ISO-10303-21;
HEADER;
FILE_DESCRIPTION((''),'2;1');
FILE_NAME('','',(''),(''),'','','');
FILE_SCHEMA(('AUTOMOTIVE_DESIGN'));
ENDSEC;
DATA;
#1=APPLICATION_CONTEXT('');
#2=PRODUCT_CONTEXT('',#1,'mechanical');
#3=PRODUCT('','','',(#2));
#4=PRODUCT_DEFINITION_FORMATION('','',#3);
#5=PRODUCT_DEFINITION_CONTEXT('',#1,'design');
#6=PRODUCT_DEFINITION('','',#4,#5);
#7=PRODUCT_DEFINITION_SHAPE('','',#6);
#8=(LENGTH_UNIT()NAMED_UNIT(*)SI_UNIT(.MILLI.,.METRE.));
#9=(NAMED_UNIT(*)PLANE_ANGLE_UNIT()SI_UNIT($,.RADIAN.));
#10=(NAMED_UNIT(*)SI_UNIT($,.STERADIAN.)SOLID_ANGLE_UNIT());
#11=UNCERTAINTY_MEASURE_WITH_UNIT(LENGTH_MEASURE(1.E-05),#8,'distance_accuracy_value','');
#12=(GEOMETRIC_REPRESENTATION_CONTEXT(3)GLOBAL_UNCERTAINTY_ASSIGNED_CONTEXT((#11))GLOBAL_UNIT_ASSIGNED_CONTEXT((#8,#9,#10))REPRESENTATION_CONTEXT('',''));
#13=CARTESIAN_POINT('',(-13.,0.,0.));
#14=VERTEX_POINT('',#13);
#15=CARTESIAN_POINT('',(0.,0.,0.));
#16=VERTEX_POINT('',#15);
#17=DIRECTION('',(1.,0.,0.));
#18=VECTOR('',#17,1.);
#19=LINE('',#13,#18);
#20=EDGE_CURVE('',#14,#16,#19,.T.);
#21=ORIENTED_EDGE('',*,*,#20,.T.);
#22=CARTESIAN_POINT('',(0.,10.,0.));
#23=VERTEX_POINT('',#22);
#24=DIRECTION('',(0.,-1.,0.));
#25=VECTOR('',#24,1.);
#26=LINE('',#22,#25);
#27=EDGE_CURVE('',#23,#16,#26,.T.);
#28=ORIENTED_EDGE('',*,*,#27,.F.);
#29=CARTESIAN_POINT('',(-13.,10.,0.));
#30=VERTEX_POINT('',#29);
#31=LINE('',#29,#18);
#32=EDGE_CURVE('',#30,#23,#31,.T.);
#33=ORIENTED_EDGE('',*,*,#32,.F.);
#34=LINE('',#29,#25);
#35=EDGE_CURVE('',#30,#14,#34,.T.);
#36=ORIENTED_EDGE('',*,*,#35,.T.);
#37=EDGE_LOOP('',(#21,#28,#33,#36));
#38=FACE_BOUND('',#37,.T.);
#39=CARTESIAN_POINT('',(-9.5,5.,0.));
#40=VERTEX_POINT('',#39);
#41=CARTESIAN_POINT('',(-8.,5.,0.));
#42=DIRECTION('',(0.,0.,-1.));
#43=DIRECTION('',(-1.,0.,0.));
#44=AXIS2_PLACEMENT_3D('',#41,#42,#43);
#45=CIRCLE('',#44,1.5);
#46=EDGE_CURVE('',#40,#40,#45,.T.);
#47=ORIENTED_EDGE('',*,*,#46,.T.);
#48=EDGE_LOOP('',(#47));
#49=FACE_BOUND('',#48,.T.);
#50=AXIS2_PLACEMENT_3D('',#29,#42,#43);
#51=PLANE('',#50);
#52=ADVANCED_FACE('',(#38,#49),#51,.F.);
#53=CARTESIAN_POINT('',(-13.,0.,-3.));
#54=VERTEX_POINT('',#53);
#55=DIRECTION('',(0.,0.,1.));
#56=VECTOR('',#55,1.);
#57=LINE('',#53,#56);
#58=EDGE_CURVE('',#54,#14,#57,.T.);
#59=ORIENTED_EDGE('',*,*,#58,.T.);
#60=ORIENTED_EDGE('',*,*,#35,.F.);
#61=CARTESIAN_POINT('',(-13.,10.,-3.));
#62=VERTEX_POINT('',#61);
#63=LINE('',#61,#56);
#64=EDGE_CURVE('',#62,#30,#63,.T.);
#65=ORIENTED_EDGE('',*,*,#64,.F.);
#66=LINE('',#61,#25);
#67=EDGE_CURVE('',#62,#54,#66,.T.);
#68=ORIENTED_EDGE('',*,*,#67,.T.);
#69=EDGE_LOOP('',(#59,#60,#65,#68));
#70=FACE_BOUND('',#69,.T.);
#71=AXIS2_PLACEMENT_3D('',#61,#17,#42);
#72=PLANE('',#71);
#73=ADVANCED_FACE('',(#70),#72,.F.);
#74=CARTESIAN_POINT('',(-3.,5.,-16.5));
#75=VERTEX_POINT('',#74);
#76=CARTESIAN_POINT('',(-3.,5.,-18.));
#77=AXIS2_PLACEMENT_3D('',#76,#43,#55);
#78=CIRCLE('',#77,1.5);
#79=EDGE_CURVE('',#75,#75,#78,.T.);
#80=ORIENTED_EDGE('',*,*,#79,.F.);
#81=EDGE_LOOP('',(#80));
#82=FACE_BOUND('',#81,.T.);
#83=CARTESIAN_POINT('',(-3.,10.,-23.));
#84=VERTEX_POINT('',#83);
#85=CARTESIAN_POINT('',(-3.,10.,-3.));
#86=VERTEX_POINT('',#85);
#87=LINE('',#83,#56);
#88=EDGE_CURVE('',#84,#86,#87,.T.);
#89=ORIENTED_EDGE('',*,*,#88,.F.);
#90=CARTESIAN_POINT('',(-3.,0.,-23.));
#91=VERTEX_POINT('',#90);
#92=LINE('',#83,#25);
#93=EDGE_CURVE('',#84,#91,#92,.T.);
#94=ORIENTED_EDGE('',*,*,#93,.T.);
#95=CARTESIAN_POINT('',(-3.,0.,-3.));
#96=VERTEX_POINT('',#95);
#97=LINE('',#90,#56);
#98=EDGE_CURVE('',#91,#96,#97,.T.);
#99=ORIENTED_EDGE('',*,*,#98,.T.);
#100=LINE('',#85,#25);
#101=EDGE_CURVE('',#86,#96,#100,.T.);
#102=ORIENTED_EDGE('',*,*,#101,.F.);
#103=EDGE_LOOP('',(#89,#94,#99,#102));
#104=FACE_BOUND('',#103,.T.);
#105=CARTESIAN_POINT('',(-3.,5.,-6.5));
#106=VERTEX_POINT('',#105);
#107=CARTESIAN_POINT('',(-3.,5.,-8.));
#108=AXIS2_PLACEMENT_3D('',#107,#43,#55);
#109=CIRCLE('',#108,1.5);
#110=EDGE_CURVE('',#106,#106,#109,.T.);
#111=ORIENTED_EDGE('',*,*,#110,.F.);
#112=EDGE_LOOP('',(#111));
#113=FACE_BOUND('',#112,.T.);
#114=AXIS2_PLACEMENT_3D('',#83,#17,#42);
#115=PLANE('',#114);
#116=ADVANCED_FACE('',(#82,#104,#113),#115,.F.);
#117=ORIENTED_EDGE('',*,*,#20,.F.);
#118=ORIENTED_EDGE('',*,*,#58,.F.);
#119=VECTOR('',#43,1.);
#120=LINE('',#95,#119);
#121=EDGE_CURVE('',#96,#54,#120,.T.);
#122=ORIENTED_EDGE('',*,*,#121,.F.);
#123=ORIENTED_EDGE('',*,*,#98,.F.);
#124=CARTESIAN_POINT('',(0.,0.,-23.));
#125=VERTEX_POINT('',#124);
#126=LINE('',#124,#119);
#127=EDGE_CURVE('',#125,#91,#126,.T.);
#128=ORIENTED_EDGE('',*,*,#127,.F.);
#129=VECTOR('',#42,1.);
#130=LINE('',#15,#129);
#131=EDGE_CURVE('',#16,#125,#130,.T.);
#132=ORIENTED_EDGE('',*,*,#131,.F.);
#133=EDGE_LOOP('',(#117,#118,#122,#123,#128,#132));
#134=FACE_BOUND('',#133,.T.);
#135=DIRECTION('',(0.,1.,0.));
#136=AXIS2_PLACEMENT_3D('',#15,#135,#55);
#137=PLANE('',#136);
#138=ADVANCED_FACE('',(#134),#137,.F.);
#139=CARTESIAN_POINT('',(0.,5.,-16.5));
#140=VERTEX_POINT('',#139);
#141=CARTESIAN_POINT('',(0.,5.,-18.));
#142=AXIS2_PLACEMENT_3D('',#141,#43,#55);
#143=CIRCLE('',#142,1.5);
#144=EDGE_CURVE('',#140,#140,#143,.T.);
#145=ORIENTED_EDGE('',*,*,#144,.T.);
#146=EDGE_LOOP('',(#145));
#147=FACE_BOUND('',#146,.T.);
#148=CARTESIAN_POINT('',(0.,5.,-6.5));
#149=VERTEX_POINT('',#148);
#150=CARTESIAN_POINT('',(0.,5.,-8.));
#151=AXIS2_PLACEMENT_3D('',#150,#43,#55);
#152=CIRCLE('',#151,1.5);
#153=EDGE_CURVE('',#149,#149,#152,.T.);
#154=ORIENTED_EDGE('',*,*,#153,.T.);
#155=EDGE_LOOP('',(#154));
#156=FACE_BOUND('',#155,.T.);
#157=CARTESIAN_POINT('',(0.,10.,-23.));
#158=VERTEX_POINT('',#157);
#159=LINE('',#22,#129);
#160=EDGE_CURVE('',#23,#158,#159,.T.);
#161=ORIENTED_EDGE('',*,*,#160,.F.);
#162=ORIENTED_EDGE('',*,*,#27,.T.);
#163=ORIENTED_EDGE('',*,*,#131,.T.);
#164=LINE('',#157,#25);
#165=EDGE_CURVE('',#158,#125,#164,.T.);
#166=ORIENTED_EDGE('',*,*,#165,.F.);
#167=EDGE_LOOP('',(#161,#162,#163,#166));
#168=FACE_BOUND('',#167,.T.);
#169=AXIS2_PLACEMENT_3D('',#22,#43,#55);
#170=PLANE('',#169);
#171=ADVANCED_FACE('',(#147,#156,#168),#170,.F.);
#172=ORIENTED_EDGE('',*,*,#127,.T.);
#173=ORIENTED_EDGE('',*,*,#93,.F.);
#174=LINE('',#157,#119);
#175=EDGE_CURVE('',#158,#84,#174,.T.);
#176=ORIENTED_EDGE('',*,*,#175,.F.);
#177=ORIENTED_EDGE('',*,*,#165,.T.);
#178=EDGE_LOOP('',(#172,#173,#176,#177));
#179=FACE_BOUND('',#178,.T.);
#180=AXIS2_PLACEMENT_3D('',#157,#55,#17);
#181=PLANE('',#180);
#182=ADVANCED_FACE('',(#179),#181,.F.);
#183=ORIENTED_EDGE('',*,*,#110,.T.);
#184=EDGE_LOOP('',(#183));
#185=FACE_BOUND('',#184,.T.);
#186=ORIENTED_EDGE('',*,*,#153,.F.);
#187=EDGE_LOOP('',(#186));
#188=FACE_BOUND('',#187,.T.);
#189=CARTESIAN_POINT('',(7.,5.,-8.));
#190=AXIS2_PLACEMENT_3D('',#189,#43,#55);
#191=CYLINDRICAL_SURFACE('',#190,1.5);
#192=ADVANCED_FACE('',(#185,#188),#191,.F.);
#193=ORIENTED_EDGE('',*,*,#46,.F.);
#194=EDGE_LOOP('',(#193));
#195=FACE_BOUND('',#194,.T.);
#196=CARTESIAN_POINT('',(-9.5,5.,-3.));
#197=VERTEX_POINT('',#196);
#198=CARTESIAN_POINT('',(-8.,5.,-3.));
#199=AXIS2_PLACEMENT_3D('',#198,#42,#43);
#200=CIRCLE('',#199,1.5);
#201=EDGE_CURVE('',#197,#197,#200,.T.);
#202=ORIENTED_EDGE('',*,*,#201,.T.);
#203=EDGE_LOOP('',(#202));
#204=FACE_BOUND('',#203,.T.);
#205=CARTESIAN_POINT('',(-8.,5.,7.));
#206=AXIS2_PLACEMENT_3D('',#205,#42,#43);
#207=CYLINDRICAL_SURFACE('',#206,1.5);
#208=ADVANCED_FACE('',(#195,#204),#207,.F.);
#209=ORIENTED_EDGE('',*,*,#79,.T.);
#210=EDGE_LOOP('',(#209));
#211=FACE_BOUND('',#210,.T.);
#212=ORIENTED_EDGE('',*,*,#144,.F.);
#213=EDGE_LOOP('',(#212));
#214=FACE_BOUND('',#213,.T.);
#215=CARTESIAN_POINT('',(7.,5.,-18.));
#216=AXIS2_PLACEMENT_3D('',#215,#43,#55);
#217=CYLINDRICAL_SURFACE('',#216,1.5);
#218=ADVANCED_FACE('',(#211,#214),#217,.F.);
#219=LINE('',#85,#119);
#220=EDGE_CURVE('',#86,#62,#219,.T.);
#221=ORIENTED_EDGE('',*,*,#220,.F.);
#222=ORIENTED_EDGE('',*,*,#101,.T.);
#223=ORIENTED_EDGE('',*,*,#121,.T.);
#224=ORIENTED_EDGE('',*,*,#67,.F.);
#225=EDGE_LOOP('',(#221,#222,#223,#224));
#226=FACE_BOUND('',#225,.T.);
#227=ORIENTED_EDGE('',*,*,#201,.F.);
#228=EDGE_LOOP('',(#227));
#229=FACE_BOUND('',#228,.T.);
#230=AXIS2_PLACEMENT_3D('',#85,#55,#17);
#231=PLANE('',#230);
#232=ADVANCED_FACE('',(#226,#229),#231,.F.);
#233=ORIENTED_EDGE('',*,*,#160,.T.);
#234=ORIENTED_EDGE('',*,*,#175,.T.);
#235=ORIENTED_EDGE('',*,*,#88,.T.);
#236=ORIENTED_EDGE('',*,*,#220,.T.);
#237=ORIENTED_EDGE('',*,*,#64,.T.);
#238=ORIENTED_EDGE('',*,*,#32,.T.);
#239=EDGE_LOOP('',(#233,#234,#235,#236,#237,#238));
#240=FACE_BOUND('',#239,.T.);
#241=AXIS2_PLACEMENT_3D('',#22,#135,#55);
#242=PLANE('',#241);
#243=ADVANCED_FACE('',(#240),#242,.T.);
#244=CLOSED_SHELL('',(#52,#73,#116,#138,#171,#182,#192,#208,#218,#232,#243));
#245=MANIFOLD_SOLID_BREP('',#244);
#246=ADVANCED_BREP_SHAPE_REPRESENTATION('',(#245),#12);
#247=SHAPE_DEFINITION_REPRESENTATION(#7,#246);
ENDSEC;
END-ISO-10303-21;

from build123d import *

# Parameters (mm, degrees)
EXTRUDE_1_DEPTH     = 10
SKETCH_2_R          = 1.5
CUT_EXTRUDE_1_DEPTH = 10
SKETCH_3_R          = 1.5
CUT_EXTRUDE_2_DEPTH = 10


with BuildPart() as part:
    # 草图1 → 凸台-拉伸1 (new body)
    with BuildSketch(Plane(origin=(0, 0, 0), x_dir=(1, 0, 0), z_dir=(0, 1, 0))):
        Polygon((-13, 0), (0, 0), (0, 23), (-3, 23), (-3, 3), (-13, 3), align=None)
    extrude(amount=EXTRUDE_1_DEPTH)

    # 草图2 → 切除-拉伸1 (cut)
    with BuildSketch(Plane.ZY.offset(3)):
        with Locations((-18, 5)):
            Circle(SKETCH_2_R)
        with Locations((-8, 5)):
            Circle(SKETCH_2_R)
    extrude(amount=-CUT_EXTRUDE_1_DEPTH, mode=Mode.SUBTRACT)

    # 草图3 → 切除-拉伸2 (cut)
    with BuildSketch(Plane(origin=(0, 0, -3), x_dir=(-1, 0, 0), z_dir=(0, 0, -1))):
        with Locations((8, 5)):
            Circle(SKETCH_3_R)
        with Locations((-2, 5)):
            Circle(SKETCH_3_R)
    extrude(amount=-CUT_EXTRUDE_2_DEPTH, mode=Mode.SUBTRACT)


solid = part.part
